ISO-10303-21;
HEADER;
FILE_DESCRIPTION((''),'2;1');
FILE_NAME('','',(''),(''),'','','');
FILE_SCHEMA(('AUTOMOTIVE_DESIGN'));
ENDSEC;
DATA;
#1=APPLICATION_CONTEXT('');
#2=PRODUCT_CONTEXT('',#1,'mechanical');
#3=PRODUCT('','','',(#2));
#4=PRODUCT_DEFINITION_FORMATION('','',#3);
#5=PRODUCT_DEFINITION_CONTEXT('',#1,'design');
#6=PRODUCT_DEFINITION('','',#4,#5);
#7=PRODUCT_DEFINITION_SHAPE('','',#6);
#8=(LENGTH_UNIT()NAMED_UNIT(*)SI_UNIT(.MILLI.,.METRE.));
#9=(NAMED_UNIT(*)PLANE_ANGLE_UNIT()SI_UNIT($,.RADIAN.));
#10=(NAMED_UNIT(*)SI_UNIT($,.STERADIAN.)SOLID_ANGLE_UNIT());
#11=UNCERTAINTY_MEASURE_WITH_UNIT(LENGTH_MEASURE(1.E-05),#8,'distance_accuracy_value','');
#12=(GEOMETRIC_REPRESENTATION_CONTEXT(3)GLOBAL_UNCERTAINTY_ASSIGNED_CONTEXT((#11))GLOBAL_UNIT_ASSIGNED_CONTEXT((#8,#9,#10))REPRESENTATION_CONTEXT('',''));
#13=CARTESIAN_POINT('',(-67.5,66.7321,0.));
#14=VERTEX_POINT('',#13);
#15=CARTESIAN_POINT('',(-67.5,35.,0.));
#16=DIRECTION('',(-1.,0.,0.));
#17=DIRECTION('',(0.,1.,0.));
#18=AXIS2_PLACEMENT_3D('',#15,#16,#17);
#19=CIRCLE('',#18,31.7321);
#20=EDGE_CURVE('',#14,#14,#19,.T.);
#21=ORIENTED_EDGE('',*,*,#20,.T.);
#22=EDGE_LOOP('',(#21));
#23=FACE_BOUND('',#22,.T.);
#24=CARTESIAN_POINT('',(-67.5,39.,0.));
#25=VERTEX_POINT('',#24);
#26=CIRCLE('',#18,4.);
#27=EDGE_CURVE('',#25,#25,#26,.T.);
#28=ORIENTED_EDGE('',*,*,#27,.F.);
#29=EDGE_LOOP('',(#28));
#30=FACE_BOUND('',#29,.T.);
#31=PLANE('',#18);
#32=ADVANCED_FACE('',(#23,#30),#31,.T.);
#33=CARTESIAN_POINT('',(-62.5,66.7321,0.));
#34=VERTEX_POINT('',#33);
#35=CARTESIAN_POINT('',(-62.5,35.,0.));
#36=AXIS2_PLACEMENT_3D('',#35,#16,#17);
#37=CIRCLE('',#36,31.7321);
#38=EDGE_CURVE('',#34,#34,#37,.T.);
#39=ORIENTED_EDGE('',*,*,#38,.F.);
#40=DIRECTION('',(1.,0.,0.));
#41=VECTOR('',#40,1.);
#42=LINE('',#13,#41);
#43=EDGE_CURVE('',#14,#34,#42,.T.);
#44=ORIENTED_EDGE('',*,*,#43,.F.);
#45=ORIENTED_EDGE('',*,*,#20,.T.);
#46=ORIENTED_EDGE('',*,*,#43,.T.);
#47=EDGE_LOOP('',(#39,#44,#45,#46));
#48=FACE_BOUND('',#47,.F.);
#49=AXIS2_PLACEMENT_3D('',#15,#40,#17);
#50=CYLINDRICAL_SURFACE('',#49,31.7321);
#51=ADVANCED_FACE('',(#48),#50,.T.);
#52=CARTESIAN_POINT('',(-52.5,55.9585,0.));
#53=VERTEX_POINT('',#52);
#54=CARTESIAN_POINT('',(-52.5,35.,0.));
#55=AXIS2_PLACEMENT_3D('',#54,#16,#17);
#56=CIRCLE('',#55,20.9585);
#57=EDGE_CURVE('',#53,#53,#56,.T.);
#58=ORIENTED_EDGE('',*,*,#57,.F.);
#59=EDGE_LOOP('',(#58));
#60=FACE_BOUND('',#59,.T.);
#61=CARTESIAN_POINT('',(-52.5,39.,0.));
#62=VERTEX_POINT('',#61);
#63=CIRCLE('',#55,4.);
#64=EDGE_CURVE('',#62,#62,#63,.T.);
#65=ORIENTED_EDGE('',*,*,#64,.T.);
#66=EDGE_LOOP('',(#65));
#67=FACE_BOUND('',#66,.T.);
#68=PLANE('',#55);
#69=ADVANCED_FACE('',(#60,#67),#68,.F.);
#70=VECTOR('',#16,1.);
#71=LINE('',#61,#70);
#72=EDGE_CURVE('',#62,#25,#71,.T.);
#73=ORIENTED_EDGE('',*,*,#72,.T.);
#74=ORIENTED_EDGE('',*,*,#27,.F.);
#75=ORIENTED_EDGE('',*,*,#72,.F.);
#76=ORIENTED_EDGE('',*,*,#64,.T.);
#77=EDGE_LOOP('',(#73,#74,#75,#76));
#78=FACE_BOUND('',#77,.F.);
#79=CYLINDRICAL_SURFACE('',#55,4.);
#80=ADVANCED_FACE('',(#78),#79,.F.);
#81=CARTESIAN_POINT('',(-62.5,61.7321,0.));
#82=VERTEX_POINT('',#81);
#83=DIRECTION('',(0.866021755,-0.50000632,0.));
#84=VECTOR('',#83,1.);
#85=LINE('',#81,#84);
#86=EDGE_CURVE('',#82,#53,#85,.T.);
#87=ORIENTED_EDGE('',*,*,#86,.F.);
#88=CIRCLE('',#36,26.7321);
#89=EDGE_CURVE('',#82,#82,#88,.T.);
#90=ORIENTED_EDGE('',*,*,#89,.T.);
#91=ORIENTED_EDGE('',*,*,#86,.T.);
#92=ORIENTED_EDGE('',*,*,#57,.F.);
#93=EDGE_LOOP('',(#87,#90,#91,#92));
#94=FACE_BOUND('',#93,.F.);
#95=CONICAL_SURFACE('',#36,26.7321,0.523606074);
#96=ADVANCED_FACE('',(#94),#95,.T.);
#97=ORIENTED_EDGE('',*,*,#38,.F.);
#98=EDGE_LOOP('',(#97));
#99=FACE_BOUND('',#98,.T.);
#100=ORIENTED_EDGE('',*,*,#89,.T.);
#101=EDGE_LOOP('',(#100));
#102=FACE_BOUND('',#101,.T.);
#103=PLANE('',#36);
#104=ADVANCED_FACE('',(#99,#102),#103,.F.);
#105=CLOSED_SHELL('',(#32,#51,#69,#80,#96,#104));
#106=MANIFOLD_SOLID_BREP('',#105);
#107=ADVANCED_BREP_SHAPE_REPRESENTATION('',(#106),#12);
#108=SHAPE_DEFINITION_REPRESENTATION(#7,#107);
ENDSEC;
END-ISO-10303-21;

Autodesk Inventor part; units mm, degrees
ref_plane "YZ Plane" through (0, 0, 0) normal (1, 0, 0) x (0, 1, 0)
ref_plane "XZ Plane" through (0, 0, 0) normal (0, 1, 0) x (-1, 0, 0)
ref_plane "XY Plane" through (0, 0, 0) normal (0, 0, 1) x (1, 0, 0)
sketch "Sketch1" plane through (0, 0, 0) normal (0, 0, 1) x (1, 0, 0)
  line L0 (-67.5, 66.7321) -> (-62.5, 66.7321) construction
  line L1 (-62.5, 66.7321) -> (-62.5, 3.2679) construction
  line L2 (-62.5, 3.2679) -> (-67.5, 3.2679) construction
  line L3 (-67.5, 3.2679) -> (-67.5, 66.7321) construction
  line L4 (-62.5, 61.7321) -> (-52.5, 55.9585) construction
  line L5 (-52.5, 55.9585) -> (-52.5, 14.0415) construction
  line L6 (-52.5, 14.0415) -> (-62.5, 8.2679) construction
  line L7 (-56.5, 10) -> (-56.5, 0) construction
  line L8 (-59.5, 10) -> (-59.5, 60) construction
  line L9 (-62.5, 61.7321) -> (-52.5, 55.9585)
  line L10 (-62.5, 61.7321) -> (-62.5, 66.7321)
  line L11 (-67.5, 66.7321) -> (-62.5, 66.7321)
  line L12 (-52.5, 31) -> (-166.5, 31) construction
  line L13 (-166.5, 31) -> (-166.5, 39) construction
  line L14 (-166.5, 39) -> (-52.5, 39) construction
  line L15 (-52.5, 39) -> (-52.5, 31) construction
  line L16 (0, 0) -> (-219, 0) construction
  line L17 (-219, 0) -> (-219, -18) construction
  line L18 (-219, -18) -> (0, -18) construction
  line L19 (0, -18) -> (0, 0) construction
  line L20 (-109.5, -55.8166) -> (-109.5, -71.0824) construction
  line L21 (-67.5, 66.7321) -> (-67.5, 39)
  line L22 (-52.5, 39) -> (-67.5, 39)
  line L23 (-52.5, 39) -> (-52.5, 55.9585)
  line L24 (-52.5, 35) -> (-67.5, 35) construction
  line L25 (-166.5, 55.9585) -> (-166.5, 14.0415) construction
  line L26 (-159.5, 10) -> (-159.5, 60) construction
  line L27 (-156.5, 66.7321) -> (-156.5, 3.2679) construction
  line L28 (-151.5, 3.2679) -> (-151.5, 66.7321) construction
  line L29 (-151.5, 66.7321) -> (-156.5, 66.7321) construction
  line L30 (-156.5, 61.7321) -> (-166.5, 55.9585) construction
  line L31 (-166.5, 14.0415) -> (-156.5, 8.2679) construction
  line L32 (-159.5, 10) -> (-162.5, 10) construction
  line L33 (-156.5, 3.2679) -> (-151.5, 3.2679) construction
  line L34 (-156.5, 61.7321) -> (-166.5, 55.9585) construction
  line L35 (-156.5, 61.7321) -> (-156.5, 66.7321) construction
  line L36 (-151.5, 66.7321) -> (-156.5, 66.7321) construction
  line L37 (-166.5, 39) -> (-166.5, 31) construction
  line L38 (-166.5, 39) -> (-151.5, 39) construction
  line L39 (-166.5, 39) -> (-166.5, 55.9585) construction
  line L40 (-166.5, 35) -> (-151.5, 35) construction
  line L41 (-56.5, 10) -> (-59.5, 10) construction
  line L42 (-59.5, 10) -> (-59.5, 0) construction
  line L43 (-59.5, 0) -> (-56.5, 0) construction
  point P0 (-62.5, 35)
  point P1 (-109.5, -63.4495)
  point P2 (-109.5, -18)
  point P3 (-109.5, 31)
  point P4 (-156.5, 35)
  dimension "d0" = 60
  dimension "d1" = 5
  dimension "d4" = 5
  dimension "d5" = 10
  dimension "d6" = 50
  dimension "d7" = 4
  dimension "d9" = 18
  dimension "d10" = 219
  dimension "d12" = 114
  dimension "d14" = 8
  dimension "d15" = 3
  dimension "d16" = 3
  dimension "d17" = 100
  dimension "d18" = 84
revolve "Revolution1" add sketch "Sketch1" angle 360 about axis through (-52.5, 35, 0) along (-1, 0, 0)
properties part number "wheel"
